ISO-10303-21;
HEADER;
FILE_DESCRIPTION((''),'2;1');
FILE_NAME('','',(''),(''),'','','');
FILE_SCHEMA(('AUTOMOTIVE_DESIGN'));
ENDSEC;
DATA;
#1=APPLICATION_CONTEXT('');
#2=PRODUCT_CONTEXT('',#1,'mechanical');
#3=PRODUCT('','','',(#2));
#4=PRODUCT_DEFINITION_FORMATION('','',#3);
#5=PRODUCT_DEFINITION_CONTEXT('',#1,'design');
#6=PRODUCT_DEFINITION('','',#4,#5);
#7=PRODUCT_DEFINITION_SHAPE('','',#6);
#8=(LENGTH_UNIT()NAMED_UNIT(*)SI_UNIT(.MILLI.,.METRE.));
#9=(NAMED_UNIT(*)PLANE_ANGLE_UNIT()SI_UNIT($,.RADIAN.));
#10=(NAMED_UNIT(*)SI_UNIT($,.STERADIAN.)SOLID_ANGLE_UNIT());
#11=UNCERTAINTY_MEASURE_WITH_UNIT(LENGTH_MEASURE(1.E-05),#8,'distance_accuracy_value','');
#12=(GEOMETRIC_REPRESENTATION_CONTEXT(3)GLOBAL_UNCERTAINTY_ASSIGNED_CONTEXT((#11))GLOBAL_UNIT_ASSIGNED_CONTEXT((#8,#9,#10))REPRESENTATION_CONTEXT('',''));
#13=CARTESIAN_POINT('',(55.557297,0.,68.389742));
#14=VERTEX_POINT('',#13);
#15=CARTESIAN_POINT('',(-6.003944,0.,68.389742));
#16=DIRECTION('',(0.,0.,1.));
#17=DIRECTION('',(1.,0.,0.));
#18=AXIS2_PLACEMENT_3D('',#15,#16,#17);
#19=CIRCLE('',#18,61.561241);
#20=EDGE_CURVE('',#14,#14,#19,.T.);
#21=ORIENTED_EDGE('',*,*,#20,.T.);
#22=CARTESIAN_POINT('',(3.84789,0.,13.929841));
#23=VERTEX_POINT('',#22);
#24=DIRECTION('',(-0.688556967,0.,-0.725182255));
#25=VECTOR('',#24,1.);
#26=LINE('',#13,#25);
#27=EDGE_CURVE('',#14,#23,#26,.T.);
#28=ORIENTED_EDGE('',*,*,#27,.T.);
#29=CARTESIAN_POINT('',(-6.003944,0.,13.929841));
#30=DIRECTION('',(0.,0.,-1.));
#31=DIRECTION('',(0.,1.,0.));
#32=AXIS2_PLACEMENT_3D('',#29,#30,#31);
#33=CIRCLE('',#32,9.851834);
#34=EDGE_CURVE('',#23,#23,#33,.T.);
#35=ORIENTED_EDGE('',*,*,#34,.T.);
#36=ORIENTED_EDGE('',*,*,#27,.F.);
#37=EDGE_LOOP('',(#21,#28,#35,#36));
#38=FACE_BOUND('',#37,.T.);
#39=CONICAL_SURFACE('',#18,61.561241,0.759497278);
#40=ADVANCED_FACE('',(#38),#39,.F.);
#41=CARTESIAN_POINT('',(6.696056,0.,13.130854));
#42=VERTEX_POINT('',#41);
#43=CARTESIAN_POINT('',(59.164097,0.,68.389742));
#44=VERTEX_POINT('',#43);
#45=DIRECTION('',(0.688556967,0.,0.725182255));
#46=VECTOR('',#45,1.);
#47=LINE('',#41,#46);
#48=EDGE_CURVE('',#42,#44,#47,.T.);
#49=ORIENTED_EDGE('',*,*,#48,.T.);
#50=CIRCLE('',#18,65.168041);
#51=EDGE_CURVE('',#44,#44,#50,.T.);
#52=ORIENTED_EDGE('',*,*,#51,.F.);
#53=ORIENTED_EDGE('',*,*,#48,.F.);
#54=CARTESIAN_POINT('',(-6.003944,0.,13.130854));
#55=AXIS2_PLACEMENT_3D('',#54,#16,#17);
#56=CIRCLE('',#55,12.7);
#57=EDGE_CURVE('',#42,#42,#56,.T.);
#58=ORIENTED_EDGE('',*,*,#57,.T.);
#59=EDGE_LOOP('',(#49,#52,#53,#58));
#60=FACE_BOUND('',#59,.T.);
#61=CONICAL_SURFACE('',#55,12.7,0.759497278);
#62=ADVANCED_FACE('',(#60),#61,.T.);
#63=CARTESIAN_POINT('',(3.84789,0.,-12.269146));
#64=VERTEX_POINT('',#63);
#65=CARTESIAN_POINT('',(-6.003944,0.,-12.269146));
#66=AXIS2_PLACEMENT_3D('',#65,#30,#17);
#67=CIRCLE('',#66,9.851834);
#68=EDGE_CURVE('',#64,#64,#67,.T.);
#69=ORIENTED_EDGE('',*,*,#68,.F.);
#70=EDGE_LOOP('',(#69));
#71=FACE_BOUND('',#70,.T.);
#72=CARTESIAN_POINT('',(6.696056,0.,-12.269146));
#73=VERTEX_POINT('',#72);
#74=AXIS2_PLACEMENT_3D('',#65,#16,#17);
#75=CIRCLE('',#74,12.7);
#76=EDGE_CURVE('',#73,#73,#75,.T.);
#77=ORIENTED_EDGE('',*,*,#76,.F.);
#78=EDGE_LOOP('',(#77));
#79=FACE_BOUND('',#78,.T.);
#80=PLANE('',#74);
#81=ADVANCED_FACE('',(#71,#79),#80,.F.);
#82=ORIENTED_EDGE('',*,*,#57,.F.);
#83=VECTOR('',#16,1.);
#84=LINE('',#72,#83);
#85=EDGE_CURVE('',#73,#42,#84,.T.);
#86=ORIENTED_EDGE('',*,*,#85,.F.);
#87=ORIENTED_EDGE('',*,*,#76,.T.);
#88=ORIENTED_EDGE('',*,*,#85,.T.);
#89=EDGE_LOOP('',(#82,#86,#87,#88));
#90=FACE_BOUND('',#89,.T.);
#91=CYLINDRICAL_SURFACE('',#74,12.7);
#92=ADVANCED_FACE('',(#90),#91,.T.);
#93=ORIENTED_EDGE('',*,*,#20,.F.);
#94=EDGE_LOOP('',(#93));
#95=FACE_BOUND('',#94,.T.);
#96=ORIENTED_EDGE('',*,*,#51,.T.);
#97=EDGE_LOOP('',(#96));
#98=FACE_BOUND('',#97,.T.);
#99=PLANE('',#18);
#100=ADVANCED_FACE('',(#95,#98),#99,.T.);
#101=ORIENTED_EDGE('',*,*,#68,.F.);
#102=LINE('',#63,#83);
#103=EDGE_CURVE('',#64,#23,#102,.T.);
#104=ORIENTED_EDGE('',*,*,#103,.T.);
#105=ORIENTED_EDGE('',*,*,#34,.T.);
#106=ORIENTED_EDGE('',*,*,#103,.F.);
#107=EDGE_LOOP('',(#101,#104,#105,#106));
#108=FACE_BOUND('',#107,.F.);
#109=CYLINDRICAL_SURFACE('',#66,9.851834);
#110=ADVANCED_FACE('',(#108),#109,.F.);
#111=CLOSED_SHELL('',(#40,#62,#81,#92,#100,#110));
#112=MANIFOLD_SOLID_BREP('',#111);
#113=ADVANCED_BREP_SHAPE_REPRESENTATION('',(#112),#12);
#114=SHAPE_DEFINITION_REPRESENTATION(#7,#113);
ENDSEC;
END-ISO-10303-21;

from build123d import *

# Parameters (mm, degrees)
F2_R     = 9.851834
F3_DEPTH = 50.8


with BuildPart() as f1:
    # F0 (on Front) → F1 (revolve)
    with BuildSketch(Plane.XZ):
        Polygon((6.696056, 13.130854), (59.164097, 68.389742), (55.557297, 68.389742), (3.089256, 13.130854), (-6.003944, 13.130854), (-6.003944, -12.269146), (6.696056, -12.269146), align=None)
    revolve(axis=Axis((-6.003944, 0, 0.430854), (0, 0, 1)))

    # F2 (on face) → F3 (cut)
    with BuildSketch(Plane(origin=(0, 0, -12.269146), x_dir=(1, 0, 0), z_dir=(0, 0, -1))):
        with Locations((-6.003944, 0)):
            Circle(F2_R)
    extrude(amount=-F3_DEPTH, mode=Mode.SUBTRACT)


solid = f1.part
